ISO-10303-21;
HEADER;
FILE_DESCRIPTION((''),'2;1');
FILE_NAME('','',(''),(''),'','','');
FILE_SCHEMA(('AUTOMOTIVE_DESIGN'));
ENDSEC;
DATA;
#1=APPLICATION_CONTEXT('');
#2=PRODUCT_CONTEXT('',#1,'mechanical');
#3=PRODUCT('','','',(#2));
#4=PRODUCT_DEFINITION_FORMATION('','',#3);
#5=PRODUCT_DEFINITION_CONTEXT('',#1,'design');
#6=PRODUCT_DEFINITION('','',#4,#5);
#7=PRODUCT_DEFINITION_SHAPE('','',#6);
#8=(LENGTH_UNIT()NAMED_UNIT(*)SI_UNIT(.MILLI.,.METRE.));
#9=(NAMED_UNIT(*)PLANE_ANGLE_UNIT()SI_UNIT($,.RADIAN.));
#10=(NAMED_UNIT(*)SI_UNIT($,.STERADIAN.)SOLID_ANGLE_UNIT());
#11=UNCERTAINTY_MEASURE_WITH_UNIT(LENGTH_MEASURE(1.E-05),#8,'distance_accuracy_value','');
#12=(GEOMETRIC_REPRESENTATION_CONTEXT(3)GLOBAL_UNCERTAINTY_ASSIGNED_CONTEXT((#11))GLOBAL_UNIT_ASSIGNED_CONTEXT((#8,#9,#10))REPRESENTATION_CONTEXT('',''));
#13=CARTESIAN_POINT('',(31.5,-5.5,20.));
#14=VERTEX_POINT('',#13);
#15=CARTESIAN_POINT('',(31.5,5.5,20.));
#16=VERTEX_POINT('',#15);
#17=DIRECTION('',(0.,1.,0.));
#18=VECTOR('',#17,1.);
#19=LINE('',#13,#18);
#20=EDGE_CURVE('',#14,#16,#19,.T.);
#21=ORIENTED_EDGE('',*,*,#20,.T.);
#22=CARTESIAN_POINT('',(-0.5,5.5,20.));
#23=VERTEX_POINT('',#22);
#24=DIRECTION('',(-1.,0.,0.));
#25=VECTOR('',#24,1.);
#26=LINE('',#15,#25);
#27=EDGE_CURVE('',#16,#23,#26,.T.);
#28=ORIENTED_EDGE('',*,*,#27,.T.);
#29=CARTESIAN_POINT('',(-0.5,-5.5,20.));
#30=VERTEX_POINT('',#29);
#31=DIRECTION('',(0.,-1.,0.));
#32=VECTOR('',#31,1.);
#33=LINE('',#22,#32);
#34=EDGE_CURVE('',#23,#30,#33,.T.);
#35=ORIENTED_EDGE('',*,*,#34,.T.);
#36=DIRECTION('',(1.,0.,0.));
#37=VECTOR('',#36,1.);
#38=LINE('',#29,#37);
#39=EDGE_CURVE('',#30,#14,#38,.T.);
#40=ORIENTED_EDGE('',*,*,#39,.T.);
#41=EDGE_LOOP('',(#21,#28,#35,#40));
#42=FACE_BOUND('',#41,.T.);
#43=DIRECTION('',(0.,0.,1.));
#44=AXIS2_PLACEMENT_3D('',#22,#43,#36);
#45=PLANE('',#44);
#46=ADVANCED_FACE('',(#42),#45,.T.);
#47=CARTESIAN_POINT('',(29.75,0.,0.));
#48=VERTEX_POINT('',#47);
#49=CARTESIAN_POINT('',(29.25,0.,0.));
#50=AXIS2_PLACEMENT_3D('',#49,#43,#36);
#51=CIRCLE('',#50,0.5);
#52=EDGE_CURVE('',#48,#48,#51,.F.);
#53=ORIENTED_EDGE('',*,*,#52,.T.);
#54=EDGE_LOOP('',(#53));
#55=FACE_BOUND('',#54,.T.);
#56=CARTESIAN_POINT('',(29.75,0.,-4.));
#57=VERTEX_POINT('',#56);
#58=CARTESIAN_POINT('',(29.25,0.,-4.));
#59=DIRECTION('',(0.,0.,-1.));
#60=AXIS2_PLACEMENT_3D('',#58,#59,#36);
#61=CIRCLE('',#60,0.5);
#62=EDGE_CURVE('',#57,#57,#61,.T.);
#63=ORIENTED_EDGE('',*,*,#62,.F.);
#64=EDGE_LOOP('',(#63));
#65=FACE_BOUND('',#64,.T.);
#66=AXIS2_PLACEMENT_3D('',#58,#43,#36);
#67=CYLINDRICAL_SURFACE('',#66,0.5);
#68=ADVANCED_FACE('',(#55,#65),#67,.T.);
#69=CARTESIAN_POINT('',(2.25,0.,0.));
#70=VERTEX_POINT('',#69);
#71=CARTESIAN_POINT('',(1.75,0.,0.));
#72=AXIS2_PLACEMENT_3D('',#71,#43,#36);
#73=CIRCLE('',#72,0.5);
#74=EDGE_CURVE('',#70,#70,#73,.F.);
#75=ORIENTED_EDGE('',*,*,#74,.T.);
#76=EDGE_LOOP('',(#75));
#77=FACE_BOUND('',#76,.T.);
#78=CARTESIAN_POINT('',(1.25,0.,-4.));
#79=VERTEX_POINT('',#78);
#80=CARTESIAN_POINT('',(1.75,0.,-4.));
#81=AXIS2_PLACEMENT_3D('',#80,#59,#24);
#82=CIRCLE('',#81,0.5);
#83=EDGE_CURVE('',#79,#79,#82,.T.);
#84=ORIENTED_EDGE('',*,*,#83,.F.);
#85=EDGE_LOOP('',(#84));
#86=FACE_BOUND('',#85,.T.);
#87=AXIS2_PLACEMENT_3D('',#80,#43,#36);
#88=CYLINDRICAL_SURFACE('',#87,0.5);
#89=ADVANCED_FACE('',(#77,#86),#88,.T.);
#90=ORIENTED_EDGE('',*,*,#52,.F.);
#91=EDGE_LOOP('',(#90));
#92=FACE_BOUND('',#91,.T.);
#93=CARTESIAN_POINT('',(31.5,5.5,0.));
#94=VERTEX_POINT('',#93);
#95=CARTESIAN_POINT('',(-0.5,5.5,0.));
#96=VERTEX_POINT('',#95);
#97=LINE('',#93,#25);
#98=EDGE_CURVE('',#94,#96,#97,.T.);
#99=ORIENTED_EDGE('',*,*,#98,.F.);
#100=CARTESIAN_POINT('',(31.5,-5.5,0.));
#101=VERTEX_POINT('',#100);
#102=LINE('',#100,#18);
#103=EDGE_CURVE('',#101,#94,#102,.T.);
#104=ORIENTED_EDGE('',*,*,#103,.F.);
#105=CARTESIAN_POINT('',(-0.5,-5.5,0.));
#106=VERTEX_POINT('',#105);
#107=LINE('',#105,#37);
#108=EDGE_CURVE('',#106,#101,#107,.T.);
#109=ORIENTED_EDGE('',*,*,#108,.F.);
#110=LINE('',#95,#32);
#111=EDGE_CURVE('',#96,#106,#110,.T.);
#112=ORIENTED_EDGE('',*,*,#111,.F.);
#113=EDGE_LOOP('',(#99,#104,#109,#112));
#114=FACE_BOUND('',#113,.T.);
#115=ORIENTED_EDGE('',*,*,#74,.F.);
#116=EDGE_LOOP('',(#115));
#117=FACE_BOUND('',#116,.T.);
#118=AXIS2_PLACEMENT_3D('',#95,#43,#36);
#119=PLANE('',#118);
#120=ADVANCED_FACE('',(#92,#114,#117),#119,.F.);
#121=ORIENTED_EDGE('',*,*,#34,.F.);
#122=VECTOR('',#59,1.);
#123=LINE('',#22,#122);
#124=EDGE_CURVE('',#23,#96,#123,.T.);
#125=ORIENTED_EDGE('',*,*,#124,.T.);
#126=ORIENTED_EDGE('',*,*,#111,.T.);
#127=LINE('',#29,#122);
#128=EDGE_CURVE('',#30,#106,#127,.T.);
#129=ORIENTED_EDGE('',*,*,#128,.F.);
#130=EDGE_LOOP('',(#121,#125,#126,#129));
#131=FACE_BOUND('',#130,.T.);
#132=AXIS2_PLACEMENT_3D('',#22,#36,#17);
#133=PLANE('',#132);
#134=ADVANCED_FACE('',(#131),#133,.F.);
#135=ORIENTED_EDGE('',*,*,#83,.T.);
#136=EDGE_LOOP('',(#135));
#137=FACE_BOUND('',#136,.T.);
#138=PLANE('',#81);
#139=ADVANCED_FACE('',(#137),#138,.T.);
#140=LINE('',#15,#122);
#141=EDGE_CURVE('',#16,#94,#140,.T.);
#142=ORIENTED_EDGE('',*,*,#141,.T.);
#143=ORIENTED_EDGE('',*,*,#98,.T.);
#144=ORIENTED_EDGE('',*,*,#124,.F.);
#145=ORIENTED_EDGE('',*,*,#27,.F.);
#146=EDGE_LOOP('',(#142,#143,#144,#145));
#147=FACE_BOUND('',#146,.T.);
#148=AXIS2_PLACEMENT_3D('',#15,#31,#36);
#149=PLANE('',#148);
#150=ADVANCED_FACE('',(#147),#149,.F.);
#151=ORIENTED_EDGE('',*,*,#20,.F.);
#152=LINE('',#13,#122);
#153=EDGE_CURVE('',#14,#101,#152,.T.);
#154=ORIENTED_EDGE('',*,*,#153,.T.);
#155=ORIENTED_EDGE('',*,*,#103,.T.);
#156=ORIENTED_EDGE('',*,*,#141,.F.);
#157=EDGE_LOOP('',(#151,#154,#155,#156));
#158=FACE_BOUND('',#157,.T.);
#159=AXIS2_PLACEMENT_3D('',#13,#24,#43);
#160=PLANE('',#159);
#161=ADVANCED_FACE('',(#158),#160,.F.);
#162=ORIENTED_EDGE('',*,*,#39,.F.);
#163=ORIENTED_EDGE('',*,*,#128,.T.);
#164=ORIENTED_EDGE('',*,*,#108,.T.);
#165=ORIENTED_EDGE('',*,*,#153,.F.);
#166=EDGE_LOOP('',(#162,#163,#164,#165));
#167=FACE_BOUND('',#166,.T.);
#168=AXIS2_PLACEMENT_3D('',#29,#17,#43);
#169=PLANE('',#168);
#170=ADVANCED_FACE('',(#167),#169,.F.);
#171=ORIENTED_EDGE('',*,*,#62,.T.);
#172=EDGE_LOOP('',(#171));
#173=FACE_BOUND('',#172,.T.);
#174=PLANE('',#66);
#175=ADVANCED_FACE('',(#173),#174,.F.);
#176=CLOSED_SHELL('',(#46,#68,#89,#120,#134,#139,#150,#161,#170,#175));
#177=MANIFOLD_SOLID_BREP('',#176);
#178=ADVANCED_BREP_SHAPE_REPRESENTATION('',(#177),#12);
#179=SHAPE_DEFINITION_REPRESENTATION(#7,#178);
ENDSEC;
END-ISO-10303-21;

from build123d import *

# Parameters (mm, degrees)
SKETCH_2_W      = 32
SKETCH_2_H      = 11
EXTRUDE_1_DEPTH = 20
SKETCH_3_R      = 0.5
EXTRUDE_2_DEPTH = 4


with BuildPart() as part:
    # Эскиз2 → Вытянуть1 (new body)
    with BuildSketch(Plane.XY):
        with Locations((15.5, 0)):
            Rectangle(SKETCH_2_W, SKETCH_2_H)
    extrude(amount=EXTRUDE_1_DEPTH)

    # Эскиз3 → Вытянуть2 (add)
    with BuildSketch(Plane(origin=(0, 0, 0), x_dir=(-1, 0, 0), z_dir=(0, 0, -1))):
        with Locations(Location((-1.75, 0, 0), (0, 0, 180))):
            Circle(SKETCH_3_R)
        with Locations(Location((-29.25, 0, 0), (0, 0, 180))):
            Circle(SKETCH_3_R)
    extrude(amount=EXTRUDE_2_DEPTH)


solid = part.part
